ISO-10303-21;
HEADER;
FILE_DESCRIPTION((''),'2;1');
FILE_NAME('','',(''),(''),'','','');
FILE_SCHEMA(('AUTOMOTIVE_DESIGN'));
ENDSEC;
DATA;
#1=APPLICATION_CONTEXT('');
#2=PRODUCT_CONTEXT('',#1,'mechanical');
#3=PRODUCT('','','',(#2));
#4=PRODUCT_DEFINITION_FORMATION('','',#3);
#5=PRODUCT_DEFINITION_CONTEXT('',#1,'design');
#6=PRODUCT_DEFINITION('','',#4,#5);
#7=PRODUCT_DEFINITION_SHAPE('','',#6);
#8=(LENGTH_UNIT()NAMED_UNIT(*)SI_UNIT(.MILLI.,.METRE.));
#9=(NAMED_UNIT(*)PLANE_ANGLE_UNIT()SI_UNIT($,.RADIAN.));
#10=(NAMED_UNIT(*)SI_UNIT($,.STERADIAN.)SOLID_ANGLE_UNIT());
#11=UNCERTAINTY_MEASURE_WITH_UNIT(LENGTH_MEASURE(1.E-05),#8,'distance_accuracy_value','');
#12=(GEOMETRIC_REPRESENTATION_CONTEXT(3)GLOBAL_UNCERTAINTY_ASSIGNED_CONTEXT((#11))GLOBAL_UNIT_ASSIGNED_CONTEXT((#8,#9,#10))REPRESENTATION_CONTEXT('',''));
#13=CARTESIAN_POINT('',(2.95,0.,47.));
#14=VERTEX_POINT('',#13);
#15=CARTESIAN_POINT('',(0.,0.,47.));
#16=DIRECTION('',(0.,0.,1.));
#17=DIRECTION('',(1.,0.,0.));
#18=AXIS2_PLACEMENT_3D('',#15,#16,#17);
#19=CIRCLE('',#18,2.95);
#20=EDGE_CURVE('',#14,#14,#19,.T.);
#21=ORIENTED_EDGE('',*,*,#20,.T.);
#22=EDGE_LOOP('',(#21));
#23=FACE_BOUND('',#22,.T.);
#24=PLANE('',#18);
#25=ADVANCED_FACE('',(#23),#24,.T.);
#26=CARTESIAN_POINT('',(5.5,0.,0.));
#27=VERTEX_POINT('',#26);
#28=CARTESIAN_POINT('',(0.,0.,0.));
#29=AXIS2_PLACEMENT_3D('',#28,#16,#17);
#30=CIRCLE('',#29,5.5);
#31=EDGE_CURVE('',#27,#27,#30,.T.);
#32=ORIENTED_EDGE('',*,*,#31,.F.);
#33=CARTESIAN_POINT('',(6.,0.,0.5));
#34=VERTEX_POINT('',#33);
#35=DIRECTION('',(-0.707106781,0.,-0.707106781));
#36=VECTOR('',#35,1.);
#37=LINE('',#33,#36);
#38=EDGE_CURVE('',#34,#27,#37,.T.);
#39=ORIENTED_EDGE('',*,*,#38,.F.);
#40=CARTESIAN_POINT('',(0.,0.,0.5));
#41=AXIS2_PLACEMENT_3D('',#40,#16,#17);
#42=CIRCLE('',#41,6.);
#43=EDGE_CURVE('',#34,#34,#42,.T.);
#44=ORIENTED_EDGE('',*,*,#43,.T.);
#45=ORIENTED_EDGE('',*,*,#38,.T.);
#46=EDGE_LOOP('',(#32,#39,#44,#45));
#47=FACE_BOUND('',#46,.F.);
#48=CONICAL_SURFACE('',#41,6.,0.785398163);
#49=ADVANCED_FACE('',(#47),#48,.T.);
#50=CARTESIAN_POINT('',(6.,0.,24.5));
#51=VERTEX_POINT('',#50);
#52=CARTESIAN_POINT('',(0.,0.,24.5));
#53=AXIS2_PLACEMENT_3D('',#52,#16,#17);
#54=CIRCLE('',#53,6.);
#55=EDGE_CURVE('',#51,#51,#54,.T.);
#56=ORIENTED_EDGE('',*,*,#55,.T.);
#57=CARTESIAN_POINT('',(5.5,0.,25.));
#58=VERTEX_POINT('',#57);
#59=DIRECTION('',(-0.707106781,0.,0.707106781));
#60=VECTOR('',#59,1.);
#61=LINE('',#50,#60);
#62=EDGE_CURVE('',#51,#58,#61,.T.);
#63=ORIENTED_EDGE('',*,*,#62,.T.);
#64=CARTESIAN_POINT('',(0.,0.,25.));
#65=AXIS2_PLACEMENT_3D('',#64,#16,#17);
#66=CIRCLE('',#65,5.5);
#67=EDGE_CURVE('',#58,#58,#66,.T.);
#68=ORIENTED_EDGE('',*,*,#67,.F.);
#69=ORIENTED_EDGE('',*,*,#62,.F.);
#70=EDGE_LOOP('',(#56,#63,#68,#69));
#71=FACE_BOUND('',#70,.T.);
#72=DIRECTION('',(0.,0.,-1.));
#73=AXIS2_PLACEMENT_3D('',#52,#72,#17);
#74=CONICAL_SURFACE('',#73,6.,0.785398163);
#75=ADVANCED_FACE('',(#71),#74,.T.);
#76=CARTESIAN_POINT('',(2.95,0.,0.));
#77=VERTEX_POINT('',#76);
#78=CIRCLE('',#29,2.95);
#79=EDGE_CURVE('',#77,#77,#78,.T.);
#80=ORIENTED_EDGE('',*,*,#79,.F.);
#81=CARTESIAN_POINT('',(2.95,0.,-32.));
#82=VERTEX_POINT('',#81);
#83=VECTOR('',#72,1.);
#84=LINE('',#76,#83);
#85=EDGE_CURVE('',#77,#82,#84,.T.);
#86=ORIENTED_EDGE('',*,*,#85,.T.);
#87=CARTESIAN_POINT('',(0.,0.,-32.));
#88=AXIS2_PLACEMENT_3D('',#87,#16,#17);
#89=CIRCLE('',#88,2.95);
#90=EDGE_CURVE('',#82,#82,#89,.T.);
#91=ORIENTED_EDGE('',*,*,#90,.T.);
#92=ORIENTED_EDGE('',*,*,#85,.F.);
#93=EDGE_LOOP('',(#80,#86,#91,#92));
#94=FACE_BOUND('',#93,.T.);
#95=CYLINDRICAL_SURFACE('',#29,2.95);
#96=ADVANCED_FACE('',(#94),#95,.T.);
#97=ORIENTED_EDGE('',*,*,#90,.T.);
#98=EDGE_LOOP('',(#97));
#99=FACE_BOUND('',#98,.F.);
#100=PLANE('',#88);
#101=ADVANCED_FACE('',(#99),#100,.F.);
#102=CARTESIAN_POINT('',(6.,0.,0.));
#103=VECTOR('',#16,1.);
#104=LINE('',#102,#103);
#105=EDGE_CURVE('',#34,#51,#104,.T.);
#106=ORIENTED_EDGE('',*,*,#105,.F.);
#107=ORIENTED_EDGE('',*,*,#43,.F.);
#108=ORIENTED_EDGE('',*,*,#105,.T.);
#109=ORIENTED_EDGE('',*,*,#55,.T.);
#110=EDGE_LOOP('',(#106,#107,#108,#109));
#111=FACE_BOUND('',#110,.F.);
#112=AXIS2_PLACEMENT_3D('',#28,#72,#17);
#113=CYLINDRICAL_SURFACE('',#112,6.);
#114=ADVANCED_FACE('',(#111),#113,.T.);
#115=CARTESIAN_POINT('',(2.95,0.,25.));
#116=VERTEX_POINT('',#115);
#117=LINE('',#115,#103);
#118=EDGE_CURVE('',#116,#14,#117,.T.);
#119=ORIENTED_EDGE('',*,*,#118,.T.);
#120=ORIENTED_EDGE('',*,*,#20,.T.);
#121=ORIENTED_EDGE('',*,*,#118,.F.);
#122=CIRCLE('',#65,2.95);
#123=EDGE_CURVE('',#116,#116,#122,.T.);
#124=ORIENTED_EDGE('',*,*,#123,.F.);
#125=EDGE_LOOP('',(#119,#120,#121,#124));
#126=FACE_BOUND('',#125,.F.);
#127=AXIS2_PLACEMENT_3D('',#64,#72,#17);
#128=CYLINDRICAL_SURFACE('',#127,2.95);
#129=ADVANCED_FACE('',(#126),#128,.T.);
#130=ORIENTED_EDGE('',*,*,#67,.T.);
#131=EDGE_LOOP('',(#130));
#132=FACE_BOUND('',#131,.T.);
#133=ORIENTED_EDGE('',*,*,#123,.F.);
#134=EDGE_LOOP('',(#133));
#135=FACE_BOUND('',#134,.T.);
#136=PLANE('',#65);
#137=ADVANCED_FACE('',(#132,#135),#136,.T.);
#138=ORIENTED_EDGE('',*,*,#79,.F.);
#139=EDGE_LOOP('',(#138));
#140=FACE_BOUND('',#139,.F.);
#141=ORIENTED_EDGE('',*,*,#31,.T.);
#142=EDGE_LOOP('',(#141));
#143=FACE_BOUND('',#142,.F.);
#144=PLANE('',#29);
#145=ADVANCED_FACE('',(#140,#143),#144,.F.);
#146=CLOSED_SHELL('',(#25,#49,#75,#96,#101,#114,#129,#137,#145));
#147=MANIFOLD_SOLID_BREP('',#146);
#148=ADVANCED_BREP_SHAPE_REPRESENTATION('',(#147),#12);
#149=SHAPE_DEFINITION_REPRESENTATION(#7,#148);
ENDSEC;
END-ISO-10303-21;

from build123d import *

# Parameters (mm, degrees)
F0_R     = 2.95
F3_DEPTH = 32
F0_R_2   = 6
F4_DEPTH = 25
F2_R     = 2.95
F5_DEPTH = 22
F6_SIZE  = 0.5


with BuildPart() as f3:
    # F0 (on Top) → F3 (new body)
    with BuildSketch(Plane.XY):
        Circle(F0_R)
    extrude(amount=-F3_DEPTH)

    # F0 (on Top) → F4 (join)
    with BuildSketch(Plane.XY):
        Circle(F0_R_2)
        Circle(F0_R, mode=Mode.SUBTRACT)
        Circle(F0_R)
    extrude(amount=F4_DEPTH)

    # F2 (on offset) → F5 (join)
    with BuildSketch(Plane.XY.offset(25)):
        Circle(F2_R)
    extrude(amount=F5_DEPTH)

    # F6
    f6_edges = [f3.edges().sort_by_distance(p)[0] for p in [
        (-6, 0, 25),
        (-6, 0, 0),
    ]]
    chamfer(f6_edges, length=F6_SIZE)


solid = f3.part
